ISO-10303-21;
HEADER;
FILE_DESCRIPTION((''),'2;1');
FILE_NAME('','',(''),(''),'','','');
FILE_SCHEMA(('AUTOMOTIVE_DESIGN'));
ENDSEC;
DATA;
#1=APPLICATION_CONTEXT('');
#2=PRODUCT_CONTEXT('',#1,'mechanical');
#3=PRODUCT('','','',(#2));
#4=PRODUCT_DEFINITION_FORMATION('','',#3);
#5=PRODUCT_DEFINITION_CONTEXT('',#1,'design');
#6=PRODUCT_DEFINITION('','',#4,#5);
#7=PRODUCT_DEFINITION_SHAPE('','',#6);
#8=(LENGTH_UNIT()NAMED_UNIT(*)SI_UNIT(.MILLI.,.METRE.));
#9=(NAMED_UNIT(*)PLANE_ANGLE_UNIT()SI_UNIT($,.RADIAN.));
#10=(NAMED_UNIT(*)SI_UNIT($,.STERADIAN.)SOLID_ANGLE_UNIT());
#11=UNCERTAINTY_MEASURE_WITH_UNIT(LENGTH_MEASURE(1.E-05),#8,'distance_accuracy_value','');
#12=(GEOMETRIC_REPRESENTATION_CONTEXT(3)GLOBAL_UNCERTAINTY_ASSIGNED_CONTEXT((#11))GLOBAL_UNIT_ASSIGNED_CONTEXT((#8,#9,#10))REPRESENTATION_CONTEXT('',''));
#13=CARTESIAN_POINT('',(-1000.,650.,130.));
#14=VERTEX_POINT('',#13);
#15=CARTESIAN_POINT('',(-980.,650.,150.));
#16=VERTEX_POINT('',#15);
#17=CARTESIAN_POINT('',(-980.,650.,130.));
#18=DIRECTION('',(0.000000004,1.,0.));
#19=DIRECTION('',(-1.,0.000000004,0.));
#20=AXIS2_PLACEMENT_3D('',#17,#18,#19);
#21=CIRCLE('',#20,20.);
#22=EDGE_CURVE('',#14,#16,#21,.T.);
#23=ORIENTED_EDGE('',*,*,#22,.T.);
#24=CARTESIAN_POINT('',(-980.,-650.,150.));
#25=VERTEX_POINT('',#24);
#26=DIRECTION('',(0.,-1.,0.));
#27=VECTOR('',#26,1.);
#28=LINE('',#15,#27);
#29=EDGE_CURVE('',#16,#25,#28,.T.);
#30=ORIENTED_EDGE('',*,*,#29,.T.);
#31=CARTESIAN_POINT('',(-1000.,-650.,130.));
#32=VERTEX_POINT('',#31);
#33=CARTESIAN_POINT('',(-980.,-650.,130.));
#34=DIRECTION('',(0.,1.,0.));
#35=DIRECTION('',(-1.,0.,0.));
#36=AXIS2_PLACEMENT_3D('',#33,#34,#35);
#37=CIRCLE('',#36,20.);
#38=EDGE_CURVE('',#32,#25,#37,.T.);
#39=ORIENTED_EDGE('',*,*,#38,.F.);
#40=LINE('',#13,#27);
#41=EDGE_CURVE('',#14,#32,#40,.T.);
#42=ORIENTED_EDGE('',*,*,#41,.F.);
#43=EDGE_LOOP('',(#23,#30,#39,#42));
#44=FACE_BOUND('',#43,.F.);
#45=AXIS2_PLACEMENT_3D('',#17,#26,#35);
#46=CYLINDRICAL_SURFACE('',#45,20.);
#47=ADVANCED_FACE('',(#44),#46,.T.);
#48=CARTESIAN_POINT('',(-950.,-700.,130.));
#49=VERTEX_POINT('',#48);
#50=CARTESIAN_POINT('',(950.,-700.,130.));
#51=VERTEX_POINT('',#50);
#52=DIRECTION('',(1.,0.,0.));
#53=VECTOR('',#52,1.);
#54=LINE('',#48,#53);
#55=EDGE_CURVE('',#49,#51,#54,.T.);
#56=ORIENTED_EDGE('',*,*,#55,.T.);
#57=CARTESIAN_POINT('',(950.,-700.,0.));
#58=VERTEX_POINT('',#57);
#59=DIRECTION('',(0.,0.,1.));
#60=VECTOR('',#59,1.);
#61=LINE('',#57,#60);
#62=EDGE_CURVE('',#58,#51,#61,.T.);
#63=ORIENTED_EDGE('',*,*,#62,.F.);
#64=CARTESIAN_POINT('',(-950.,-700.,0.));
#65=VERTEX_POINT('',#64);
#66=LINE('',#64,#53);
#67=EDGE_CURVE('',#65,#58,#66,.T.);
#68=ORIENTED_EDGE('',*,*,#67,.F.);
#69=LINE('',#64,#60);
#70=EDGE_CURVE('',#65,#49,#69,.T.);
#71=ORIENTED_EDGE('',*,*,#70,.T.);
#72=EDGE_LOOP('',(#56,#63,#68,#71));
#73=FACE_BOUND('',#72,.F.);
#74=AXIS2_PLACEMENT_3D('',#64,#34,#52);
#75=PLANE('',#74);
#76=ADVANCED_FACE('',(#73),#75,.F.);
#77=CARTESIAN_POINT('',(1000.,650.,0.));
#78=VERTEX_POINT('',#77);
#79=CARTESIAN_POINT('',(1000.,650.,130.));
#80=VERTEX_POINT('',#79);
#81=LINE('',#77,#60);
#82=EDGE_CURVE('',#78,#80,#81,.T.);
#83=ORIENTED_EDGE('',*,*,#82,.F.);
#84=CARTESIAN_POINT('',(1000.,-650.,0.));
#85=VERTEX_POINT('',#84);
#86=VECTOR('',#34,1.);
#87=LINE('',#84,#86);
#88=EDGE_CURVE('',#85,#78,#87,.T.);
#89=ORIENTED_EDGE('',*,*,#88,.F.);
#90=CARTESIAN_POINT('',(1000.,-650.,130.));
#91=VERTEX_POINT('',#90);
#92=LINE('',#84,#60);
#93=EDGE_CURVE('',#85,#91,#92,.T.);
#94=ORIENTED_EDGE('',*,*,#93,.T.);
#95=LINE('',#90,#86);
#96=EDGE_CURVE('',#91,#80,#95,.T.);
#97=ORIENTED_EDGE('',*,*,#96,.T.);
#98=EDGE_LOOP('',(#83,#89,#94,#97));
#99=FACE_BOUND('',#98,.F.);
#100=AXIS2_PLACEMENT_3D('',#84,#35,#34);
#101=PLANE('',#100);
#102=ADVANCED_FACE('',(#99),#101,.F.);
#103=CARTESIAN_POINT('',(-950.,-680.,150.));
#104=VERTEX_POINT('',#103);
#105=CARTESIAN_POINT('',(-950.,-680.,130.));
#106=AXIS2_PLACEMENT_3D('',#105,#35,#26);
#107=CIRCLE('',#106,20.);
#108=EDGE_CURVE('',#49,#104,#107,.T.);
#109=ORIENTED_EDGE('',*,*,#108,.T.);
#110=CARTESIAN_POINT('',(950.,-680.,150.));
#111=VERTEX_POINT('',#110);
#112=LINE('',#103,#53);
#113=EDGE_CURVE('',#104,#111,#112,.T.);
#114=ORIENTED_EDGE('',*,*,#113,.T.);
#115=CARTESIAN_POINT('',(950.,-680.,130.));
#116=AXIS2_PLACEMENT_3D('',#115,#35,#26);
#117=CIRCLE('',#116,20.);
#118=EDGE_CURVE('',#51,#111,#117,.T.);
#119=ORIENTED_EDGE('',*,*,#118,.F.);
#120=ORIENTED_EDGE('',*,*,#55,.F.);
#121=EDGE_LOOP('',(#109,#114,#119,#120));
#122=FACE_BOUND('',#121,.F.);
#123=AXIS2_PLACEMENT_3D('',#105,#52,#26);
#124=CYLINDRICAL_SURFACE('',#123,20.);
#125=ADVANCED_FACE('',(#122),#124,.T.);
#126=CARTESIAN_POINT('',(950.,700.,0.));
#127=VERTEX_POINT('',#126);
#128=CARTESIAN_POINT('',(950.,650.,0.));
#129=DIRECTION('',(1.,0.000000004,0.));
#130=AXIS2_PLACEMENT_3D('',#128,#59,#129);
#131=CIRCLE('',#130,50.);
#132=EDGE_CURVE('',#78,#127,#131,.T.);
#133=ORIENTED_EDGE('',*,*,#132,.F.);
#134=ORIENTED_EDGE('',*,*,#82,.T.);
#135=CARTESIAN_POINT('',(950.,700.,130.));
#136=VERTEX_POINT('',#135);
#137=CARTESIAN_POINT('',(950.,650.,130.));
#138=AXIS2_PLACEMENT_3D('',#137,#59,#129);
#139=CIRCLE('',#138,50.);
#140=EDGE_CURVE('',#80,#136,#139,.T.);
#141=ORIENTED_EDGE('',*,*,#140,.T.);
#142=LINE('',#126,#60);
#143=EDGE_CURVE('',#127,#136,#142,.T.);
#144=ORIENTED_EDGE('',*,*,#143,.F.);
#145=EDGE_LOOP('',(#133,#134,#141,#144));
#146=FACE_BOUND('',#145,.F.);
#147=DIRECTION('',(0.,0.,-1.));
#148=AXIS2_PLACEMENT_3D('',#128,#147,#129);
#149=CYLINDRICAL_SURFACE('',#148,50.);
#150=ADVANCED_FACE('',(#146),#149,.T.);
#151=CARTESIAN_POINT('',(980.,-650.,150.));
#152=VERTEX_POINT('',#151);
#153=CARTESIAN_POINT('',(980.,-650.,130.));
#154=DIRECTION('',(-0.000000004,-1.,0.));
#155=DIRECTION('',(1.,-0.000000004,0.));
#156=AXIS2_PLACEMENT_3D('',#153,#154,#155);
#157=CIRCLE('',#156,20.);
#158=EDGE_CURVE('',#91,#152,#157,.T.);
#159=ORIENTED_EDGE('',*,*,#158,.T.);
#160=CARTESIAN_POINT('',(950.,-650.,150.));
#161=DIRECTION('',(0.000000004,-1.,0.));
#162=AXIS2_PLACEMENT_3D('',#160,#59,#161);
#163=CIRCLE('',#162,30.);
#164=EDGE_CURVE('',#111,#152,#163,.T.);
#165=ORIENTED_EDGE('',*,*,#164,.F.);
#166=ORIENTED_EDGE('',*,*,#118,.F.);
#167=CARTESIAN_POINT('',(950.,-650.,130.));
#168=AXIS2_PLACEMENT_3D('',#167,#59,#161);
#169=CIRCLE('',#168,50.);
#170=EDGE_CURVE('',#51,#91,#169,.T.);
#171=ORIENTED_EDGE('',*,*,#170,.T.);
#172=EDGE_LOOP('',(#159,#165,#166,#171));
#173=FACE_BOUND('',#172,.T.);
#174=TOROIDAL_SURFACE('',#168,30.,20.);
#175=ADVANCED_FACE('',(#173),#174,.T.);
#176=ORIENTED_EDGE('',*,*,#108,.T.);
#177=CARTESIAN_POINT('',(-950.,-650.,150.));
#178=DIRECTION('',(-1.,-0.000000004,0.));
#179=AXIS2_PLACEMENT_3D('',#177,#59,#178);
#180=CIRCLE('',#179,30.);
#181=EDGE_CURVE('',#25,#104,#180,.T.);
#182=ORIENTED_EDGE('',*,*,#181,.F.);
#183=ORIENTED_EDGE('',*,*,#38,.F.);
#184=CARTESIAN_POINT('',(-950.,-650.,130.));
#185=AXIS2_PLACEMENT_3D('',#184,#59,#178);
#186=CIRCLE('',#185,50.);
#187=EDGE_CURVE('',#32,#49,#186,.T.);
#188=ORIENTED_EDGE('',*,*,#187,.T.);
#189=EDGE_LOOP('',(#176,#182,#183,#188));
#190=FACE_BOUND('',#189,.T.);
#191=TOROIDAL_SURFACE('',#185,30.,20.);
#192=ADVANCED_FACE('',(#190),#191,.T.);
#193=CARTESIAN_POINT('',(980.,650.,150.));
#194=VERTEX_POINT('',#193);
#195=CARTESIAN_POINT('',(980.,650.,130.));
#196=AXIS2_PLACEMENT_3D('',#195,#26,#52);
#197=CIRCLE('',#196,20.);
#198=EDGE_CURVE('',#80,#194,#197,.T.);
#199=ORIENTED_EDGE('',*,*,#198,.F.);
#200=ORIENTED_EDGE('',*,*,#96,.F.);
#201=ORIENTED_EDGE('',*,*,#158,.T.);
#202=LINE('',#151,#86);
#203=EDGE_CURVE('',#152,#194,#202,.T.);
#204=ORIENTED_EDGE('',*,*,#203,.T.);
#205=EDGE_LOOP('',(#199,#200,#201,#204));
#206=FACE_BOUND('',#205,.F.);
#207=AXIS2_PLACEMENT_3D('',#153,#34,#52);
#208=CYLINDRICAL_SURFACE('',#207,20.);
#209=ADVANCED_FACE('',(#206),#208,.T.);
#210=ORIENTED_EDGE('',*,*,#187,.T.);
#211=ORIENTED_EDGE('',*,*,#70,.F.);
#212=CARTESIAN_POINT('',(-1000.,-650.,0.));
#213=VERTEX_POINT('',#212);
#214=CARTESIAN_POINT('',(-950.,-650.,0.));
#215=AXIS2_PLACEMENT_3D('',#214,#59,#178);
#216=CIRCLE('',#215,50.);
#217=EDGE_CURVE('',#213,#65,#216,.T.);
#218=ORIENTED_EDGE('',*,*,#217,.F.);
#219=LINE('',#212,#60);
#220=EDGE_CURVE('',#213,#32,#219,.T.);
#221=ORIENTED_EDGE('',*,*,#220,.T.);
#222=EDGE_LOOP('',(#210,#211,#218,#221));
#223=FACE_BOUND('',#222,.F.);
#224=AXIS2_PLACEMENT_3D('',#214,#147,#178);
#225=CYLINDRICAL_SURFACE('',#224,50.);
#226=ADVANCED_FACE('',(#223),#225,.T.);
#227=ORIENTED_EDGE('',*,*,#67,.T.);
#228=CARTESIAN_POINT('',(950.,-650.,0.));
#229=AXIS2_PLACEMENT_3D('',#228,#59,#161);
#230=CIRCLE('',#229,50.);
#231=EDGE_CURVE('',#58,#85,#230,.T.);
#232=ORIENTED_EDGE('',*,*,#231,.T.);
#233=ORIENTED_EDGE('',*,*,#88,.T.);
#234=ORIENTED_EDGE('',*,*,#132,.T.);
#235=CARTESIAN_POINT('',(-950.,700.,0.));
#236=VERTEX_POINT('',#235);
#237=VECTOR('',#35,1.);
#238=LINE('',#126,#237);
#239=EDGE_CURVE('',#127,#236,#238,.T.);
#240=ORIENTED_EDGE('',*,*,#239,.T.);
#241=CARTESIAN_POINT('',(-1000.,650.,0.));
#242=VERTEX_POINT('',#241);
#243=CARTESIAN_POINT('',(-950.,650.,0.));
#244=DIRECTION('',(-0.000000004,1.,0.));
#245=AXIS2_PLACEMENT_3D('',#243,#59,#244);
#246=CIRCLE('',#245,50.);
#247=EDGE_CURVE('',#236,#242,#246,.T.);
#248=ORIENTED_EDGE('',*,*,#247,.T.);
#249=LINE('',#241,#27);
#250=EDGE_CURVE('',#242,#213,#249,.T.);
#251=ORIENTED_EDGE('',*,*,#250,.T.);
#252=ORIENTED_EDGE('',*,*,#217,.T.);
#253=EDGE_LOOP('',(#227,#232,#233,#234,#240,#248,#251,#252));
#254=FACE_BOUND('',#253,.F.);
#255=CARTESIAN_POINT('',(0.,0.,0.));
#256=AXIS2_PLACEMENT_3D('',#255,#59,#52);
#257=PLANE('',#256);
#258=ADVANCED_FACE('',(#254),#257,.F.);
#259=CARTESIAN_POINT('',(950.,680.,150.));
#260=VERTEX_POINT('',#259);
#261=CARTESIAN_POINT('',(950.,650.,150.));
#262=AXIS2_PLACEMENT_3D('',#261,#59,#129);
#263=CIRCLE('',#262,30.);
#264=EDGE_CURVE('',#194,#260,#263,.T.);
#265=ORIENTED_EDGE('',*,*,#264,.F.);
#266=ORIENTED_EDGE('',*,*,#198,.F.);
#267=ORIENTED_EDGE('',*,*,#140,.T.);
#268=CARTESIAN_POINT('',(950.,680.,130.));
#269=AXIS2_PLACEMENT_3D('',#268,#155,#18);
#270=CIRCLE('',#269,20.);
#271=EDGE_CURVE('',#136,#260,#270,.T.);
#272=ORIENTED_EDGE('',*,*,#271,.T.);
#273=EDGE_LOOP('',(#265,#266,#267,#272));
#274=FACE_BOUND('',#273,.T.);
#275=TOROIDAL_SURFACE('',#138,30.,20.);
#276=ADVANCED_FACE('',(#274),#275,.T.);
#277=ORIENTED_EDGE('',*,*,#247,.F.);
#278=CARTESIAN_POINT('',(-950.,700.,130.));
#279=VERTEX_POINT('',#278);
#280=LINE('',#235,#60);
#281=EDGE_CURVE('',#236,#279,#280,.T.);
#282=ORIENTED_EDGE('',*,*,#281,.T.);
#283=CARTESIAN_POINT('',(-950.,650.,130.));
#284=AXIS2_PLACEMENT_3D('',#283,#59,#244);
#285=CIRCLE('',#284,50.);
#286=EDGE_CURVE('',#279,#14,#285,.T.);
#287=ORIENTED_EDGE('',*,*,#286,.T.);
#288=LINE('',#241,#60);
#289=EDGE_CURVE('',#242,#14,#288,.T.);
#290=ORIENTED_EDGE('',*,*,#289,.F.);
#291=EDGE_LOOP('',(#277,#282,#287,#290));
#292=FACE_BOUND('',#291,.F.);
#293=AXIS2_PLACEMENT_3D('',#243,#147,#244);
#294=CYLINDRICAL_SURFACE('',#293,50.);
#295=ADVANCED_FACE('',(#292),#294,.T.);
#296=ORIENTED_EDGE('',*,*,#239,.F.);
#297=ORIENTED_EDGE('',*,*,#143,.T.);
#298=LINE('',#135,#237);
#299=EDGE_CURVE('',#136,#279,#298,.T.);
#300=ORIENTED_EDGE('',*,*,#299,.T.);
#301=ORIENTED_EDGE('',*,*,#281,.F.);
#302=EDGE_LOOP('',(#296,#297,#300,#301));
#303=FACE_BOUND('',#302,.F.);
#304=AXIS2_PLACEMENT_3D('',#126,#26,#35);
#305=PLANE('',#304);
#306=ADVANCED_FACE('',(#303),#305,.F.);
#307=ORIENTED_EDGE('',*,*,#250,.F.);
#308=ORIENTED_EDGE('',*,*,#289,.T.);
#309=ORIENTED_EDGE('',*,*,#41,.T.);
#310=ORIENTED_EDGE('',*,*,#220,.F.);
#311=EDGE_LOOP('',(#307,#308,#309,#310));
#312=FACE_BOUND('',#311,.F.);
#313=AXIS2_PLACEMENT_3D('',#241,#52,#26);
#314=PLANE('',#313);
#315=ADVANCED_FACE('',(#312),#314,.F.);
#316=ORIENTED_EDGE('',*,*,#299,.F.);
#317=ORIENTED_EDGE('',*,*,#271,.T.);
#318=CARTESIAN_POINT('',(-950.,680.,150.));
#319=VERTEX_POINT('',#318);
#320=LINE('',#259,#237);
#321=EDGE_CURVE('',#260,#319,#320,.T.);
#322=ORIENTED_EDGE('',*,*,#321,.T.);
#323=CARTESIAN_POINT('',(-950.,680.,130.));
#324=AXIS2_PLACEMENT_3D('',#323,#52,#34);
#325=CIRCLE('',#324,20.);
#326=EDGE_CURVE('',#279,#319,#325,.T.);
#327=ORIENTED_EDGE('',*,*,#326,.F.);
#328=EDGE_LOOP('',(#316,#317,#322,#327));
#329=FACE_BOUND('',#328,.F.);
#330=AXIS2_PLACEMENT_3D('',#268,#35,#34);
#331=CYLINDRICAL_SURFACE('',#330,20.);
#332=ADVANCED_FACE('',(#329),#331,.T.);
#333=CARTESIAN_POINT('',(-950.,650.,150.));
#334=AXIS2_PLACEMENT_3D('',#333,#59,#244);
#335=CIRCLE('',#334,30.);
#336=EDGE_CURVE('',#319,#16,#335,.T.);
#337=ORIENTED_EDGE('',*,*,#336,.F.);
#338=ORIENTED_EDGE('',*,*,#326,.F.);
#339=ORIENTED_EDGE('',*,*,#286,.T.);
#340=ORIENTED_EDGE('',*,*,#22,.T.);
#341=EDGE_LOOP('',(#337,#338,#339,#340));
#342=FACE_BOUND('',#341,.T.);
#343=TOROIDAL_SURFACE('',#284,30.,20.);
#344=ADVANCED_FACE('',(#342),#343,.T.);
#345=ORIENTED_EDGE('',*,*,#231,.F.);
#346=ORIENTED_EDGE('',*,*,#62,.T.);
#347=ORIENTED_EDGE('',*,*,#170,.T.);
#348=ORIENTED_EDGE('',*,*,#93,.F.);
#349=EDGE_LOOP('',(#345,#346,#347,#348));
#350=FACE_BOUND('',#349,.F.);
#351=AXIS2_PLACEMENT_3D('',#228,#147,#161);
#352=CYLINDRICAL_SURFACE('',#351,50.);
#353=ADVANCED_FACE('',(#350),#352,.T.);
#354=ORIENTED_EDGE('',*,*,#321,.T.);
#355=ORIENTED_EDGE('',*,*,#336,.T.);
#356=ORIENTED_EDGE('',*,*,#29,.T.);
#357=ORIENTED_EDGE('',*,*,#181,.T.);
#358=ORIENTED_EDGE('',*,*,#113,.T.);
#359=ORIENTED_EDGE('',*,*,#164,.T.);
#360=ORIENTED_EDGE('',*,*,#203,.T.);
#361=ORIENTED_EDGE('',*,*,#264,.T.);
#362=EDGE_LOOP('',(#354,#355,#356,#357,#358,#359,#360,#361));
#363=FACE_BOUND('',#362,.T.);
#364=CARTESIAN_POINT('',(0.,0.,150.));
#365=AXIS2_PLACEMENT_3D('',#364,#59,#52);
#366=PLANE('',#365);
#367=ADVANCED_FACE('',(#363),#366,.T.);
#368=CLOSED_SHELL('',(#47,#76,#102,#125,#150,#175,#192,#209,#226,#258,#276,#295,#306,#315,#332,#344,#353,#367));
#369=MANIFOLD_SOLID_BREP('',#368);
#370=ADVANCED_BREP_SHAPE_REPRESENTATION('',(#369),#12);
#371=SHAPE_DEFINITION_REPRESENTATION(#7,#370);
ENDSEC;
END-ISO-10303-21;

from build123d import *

# Parameters (mm, degrees)
F1_DEPTH = 150
F2_R     = 20


with BuildPart() as f1:
    # F0 (on Top) → F1 (new body)
    with BuildSketch(Plane.XY):
        with BuildLine():
            Line((950, 700), (-950, 700))
            ThreePointArc((-950, 700), (-985.355339, 685.355339), (-1000, 650))
            Line((-1000, 650), (-1000, -650))
            ThreePointArc((-1000, -650), (-985.355339, -685.355339), (-950, -700))
            Line((-950, -700), (950, -700))
            ThreePointArc((950, -700), (985.355339, -685.355339), (1000, -650))
            Line((1000, -650), (1000, 650))
            ThreePointArc((1000, 650), (985.355339, 685.355339), (950, 700))
        make_face()
    extrude(amount=F1_DEPTH)

    # F2
    f2_edges = [f1.edges().sort_by_distance(p)[0] for p in [
        (0, -700, 150),
        (-985.355339, -685.355339, 150),
        (-1000, 0, 150),
        (0, 700, 150),
        (985.355339, 685.355339, 150),
        (985.355339, -685.355339, 150),
        (1000, 0, 150),
    ]]
    fillet(f2_edges, radius=F2_R)


solid = f1.part
